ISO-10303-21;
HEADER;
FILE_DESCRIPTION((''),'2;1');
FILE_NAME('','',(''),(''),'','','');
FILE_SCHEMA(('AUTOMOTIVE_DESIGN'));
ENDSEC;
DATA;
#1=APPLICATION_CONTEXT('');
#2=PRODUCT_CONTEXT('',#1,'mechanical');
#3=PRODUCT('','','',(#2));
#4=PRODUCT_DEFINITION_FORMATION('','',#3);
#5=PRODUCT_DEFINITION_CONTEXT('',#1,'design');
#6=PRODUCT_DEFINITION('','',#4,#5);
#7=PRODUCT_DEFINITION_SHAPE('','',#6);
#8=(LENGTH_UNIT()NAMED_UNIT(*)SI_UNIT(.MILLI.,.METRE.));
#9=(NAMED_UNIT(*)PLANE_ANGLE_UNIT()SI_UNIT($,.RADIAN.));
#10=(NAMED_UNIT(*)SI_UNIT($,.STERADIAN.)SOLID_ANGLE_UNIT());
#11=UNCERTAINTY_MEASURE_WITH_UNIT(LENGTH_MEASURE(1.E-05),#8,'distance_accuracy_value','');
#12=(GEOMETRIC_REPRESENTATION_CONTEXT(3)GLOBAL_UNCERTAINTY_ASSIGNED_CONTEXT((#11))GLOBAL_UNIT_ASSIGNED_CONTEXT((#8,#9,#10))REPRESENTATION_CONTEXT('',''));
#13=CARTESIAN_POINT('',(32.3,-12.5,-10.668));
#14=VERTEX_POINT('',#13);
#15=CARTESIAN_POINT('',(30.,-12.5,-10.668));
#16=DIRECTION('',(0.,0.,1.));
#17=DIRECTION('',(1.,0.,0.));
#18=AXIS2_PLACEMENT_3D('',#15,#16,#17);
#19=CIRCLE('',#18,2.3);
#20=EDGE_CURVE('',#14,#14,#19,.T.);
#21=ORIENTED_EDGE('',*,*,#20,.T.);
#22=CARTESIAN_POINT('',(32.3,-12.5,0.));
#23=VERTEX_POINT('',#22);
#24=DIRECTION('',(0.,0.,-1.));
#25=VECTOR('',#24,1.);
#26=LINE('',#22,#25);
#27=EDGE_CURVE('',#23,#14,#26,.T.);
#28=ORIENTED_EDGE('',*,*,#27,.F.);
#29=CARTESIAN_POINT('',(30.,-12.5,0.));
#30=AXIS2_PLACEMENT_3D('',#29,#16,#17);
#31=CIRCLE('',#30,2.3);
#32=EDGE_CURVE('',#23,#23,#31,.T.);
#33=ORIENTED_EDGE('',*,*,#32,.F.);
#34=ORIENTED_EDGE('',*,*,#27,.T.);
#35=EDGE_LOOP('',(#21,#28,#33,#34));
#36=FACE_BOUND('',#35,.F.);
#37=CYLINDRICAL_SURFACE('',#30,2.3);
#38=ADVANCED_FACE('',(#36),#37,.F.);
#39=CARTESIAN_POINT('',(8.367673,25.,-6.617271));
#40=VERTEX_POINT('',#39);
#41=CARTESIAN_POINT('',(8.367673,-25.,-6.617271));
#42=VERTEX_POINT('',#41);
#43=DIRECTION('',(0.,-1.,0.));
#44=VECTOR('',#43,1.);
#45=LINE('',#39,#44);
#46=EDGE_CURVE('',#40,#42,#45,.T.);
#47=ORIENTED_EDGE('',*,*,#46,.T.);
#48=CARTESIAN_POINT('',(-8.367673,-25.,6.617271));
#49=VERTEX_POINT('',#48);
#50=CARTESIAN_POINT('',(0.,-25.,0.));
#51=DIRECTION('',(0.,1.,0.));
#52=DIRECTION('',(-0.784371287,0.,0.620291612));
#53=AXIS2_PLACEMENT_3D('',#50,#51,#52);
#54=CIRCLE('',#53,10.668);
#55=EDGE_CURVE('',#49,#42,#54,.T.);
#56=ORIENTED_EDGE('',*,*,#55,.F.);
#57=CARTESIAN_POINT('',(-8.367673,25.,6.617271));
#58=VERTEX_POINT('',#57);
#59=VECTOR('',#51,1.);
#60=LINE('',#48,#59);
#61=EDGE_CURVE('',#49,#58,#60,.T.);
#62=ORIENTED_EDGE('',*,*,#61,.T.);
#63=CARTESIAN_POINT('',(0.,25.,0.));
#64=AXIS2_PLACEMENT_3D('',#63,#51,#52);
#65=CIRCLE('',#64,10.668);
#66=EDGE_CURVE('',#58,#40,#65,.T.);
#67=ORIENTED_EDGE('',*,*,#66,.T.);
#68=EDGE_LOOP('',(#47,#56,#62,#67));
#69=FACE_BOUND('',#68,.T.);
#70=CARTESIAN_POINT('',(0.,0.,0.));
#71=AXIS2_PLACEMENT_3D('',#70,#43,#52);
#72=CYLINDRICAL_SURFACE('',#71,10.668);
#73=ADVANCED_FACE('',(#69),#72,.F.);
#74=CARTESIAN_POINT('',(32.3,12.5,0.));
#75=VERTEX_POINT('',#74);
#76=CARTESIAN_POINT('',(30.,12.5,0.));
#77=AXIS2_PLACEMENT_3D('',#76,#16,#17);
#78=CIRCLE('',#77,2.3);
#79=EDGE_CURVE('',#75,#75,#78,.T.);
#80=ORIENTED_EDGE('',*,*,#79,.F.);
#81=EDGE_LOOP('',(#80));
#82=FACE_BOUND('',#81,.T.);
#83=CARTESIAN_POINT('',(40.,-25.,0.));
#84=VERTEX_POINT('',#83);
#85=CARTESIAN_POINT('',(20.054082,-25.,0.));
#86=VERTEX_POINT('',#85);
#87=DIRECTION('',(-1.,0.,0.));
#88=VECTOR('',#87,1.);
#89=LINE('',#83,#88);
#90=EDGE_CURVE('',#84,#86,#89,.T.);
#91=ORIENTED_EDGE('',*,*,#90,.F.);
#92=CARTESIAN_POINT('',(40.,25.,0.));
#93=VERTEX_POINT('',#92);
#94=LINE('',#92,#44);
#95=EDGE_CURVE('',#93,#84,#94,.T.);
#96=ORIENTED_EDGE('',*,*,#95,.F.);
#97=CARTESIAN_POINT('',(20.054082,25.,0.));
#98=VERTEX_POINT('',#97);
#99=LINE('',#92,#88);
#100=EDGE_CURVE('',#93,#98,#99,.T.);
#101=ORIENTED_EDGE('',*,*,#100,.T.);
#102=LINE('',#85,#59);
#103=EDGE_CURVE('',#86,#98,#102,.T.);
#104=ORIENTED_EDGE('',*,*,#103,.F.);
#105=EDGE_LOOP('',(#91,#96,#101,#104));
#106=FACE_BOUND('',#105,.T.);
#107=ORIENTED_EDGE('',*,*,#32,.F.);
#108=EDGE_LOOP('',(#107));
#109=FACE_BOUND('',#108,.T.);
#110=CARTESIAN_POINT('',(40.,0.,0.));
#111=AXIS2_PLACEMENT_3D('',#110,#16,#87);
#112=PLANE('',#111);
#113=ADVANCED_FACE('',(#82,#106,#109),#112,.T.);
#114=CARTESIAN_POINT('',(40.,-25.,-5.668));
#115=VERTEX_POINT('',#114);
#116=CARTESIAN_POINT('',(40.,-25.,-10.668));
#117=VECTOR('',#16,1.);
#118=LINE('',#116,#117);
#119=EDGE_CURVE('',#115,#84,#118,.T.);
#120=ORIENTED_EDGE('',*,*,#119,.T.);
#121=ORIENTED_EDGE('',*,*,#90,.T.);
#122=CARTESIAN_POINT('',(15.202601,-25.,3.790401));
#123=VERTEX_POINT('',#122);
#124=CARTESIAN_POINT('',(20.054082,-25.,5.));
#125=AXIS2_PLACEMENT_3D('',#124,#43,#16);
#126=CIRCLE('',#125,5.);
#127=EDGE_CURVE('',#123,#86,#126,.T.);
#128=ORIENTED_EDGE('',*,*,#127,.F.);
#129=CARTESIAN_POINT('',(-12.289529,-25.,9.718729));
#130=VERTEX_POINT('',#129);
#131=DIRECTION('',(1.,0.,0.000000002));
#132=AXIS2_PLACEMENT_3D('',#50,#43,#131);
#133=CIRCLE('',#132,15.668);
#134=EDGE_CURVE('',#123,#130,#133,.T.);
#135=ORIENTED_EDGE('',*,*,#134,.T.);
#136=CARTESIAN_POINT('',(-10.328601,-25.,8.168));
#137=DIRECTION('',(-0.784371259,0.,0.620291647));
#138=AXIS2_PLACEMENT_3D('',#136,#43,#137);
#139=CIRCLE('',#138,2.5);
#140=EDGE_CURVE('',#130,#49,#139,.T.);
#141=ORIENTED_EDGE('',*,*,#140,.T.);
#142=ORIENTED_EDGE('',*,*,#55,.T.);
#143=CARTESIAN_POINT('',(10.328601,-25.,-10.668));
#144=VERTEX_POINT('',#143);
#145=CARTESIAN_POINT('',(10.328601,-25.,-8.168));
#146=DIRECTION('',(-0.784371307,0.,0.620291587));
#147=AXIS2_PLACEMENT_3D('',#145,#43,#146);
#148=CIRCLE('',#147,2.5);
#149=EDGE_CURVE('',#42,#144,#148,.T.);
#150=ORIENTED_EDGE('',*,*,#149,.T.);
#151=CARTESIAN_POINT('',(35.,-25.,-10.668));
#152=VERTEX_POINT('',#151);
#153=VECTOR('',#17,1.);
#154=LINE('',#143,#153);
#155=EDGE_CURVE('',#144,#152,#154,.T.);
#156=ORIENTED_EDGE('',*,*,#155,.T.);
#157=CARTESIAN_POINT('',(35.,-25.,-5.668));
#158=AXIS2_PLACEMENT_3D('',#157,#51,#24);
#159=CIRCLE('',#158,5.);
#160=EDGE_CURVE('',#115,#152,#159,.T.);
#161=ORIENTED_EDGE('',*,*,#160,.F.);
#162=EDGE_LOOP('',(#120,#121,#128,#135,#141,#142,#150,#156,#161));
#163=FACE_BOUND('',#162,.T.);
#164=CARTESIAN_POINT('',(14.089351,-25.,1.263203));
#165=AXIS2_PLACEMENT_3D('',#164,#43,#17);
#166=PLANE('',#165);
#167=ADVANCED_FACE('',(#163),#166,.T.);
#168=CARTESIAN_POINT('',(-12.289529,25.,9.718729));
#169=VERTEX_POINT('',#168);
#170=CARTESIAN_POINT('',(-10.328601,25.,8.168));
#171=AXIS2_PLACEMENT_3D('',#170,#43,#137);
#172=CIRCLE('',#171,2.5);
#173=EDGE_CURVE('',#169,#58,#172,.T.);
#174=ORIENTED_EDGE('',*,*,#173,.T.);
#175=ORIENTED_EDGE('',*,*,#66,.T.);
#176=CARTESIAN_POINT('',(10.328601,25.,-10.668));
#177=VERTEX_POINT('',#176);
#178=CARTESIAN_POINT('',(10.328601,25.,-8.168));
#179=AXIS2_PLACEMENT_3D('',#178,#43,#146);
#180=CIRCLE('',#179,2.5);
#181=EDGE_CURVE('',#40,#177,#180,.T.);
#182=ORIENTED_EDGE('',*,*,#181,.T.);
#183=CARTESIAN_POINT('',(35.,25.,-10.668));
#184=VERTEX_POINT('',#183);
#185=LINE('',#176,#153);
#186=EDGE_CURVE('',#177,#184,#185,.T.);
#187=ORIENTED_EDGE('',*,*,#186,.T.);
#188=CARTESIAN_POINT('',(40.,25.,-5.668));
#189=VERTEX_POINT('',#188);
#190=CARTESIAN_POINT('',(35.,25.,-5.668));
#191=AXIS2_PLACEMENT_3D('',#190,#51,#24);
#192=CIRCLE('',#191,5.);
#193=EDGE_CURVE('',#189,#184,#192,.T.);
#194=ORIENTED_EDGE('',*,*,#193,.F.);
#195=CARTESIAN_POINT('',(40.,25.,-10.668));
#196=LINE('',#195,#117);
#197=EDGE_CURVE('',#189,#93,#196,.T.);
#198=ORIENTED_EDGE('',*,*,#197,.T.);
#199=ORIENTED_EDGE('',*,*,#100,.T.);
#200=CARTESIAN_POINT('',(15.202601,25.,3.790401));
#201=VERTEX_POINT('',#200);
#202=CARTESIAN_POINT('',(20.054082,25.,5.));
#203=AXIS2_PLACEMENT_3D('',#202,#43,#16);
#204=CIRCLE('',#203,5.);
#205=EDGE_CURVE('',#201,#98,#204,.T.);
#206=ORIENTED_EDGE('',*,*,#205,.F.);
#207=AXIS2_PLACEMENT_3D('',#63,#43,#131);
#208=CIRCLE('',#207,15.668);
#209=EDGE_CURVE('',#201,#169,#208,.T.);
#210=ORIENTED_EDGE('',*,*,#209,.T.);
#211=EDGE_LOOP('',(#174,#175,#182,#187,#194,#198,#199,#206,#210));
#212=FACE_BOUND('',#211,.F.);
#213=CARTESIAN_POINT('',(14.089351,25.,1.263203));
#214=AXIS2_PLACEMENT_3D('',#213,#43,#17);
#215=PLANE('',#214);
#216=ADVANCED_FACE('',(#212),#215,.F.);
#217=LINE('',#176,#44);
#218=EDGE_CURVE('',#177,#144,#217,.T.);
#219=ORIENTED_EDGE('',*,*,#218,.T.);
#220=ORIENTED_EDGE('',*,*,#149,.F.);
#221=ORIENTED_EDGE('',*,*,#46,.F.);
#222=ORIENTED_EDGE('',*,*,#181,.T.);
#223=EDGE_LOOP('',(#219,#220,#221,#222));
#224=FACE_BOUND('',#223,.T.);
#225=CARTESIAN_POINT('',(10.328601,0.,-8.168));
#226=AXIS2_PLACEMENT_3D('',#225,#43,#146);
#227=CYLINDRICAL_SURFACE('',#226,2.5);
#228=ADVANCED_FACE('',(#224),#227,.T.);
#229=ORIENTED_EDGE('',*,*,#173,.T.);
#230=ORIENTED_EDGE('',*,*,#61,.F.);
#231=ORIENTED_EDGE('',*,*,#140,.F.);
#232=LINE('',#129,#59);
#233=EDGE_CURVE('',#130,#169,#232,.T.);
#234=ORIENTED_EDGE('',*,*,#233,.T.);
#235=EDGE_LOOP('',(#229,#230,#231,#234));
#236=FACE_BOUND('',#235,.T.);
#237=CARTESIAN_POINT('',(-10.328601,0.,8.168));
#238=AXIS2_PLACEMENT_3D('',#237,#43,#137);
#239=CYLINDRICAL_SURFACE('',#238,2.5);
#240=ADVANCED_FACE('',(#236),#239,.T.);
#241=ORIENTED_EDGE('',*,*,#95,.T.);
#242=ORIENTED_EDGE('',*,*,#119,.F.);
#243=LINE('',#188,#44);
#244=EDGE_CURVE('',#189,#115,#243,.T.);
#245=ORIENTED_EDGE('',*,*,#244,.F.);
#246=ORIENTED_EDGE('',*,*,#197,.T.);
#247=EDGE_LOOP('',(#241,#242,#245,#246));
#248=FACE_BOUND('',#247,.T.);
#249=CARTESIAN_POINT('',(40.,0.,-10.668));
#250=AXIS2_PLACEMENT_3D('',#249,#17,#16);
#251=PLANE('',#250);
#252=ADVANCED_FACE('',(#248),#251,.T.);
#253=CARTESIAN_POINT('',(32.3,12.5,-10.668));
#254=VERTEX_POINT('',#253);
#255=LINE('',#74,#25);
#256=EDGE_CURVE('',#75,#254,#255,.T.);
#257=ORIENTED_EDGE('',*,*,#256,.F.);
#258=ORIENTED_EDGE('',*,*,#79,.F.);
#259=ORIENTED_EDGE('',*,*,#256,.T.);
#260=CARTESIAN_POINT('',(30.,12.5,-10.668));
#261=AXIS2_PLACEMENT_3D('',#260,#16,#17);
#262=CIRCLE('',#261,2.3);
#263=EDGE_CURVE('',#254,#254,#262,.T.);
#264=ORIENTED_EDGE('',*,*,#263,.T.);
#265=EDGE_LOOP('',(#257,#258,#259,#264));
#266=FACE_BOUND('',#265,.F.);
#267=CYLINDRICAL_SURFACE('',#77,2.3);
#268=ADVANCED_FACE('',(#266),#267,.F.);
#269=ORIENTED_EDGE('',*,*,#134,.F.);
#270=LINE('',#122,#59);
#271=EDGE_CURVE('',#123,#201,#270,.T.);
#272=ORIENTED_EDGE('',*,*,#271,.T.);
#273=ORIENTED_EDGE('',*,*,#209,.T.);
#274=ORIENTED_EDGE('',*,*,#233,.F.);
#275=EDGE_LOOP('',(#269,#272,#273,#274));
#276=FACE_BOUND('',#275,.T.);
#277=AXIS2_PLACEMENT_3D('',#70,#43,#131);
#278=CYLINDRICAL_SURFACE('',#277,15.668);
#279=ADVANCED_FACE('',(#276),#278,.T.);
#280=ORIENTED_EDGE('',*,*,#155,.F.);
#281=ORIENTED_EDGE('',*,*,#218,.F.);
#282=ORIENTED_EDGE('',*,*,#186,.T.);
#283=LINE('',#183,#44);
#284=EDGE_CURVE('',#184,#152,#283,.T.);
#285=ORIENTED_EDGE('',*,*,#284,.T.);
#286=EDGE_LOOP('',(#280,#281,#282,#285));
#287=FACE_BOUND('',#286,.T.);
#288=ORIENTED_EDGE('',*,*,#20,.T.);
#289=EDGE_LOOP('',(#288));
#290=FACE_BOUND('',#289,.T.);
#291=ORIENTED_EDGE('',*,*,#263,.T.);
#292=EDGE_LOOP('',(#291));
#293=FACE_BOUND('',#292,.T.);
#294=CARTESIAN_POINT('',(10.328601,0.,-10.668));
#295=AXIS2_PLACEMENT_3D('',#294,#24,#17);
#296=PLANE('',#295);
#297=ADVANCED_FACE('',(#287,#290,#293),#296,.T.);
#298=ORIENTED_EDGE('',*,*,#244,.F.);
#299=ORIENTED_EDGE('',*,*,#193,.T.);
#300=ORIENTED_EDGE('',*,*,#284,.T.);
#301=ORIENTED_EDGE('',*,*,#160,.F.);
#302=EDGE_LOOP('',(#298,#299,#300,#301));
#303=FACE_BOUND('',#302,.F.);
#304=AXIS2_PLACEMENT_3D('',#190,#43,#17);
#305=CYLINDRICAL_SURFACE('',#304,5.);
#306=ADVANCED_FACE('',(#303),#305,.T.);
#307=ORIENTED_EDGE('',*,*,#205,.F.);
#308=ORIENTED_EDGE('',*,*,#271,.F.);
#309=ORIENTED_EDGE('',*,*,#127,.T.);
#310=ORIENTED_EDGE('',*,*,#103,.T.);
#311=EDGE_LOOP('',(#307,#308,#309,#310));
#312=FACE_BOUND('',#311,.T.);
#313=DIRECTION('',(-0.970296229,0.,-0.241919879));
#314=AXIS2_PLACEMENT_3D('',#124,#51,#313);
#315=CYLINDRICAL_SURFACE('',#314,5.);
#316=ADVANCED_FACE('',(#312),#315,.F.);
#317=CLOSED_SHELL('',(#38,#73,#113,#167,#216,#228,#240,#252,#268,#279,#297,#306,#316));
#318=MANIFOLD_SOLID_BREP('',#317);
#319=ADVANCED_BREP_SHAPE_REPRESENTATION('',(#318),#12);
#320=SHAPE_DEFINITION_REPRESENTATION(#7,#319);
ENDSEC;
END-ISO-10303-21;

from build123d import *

# Parameters (mm, degrees)
F1_DEPTH = 25
F2_R     = 5
F3_R     = 2.3
F4_DEPTH = 10.669


with BuildPart() as f1:
    # F0 (on Front) → F1 (new body, symmetric)
    with BuildSketch(Plane.XZ):
        with BuildLine():
            ThreePointArc((-8.367673, 6.617271), (6.617271, 8.367673), (8.367673, -6.617271))
            ThreePointArc((8.367673, -6.617271), (8.078399, -9.257307), (10.328601, -10.668))
            Line((10.328601, -10.668), (40, -10.668))
            Line((40, -10.668), (40, 0))
            Line((40, 0), (15.668, 0))
            ThreePointArc((15.668, 0), (5.144603, 14.7993), (-12.289529, 9.718729))
            ThreePointArc((-12.289529, 9.718729), (-11.87933, 6.207072), (-8.367673, 6.617271))
        make_face()
    extrude(amount=F1_DEPTH, both=True)

    # F2
    f2_edges = [f1.edges().sort_by_distance(p)[0] for p in [
        (15.668, 0, 0),
        (40, 0, -10.668),
    ]]
    fillet(f2_edges, radius=F2_R)

    # F3 (on Top) → F4 (cut, through all)
    with BuildSketch(Plane.XY):
        with Locations((30, 12.5)):
            Circle(F3_R)
        with Locations((30, -12.5)):
            Circle(F3_R)
    extrude(amount=-F4_DEPTH, mode=Mode.SUBTRACT)


solid = f1.part
